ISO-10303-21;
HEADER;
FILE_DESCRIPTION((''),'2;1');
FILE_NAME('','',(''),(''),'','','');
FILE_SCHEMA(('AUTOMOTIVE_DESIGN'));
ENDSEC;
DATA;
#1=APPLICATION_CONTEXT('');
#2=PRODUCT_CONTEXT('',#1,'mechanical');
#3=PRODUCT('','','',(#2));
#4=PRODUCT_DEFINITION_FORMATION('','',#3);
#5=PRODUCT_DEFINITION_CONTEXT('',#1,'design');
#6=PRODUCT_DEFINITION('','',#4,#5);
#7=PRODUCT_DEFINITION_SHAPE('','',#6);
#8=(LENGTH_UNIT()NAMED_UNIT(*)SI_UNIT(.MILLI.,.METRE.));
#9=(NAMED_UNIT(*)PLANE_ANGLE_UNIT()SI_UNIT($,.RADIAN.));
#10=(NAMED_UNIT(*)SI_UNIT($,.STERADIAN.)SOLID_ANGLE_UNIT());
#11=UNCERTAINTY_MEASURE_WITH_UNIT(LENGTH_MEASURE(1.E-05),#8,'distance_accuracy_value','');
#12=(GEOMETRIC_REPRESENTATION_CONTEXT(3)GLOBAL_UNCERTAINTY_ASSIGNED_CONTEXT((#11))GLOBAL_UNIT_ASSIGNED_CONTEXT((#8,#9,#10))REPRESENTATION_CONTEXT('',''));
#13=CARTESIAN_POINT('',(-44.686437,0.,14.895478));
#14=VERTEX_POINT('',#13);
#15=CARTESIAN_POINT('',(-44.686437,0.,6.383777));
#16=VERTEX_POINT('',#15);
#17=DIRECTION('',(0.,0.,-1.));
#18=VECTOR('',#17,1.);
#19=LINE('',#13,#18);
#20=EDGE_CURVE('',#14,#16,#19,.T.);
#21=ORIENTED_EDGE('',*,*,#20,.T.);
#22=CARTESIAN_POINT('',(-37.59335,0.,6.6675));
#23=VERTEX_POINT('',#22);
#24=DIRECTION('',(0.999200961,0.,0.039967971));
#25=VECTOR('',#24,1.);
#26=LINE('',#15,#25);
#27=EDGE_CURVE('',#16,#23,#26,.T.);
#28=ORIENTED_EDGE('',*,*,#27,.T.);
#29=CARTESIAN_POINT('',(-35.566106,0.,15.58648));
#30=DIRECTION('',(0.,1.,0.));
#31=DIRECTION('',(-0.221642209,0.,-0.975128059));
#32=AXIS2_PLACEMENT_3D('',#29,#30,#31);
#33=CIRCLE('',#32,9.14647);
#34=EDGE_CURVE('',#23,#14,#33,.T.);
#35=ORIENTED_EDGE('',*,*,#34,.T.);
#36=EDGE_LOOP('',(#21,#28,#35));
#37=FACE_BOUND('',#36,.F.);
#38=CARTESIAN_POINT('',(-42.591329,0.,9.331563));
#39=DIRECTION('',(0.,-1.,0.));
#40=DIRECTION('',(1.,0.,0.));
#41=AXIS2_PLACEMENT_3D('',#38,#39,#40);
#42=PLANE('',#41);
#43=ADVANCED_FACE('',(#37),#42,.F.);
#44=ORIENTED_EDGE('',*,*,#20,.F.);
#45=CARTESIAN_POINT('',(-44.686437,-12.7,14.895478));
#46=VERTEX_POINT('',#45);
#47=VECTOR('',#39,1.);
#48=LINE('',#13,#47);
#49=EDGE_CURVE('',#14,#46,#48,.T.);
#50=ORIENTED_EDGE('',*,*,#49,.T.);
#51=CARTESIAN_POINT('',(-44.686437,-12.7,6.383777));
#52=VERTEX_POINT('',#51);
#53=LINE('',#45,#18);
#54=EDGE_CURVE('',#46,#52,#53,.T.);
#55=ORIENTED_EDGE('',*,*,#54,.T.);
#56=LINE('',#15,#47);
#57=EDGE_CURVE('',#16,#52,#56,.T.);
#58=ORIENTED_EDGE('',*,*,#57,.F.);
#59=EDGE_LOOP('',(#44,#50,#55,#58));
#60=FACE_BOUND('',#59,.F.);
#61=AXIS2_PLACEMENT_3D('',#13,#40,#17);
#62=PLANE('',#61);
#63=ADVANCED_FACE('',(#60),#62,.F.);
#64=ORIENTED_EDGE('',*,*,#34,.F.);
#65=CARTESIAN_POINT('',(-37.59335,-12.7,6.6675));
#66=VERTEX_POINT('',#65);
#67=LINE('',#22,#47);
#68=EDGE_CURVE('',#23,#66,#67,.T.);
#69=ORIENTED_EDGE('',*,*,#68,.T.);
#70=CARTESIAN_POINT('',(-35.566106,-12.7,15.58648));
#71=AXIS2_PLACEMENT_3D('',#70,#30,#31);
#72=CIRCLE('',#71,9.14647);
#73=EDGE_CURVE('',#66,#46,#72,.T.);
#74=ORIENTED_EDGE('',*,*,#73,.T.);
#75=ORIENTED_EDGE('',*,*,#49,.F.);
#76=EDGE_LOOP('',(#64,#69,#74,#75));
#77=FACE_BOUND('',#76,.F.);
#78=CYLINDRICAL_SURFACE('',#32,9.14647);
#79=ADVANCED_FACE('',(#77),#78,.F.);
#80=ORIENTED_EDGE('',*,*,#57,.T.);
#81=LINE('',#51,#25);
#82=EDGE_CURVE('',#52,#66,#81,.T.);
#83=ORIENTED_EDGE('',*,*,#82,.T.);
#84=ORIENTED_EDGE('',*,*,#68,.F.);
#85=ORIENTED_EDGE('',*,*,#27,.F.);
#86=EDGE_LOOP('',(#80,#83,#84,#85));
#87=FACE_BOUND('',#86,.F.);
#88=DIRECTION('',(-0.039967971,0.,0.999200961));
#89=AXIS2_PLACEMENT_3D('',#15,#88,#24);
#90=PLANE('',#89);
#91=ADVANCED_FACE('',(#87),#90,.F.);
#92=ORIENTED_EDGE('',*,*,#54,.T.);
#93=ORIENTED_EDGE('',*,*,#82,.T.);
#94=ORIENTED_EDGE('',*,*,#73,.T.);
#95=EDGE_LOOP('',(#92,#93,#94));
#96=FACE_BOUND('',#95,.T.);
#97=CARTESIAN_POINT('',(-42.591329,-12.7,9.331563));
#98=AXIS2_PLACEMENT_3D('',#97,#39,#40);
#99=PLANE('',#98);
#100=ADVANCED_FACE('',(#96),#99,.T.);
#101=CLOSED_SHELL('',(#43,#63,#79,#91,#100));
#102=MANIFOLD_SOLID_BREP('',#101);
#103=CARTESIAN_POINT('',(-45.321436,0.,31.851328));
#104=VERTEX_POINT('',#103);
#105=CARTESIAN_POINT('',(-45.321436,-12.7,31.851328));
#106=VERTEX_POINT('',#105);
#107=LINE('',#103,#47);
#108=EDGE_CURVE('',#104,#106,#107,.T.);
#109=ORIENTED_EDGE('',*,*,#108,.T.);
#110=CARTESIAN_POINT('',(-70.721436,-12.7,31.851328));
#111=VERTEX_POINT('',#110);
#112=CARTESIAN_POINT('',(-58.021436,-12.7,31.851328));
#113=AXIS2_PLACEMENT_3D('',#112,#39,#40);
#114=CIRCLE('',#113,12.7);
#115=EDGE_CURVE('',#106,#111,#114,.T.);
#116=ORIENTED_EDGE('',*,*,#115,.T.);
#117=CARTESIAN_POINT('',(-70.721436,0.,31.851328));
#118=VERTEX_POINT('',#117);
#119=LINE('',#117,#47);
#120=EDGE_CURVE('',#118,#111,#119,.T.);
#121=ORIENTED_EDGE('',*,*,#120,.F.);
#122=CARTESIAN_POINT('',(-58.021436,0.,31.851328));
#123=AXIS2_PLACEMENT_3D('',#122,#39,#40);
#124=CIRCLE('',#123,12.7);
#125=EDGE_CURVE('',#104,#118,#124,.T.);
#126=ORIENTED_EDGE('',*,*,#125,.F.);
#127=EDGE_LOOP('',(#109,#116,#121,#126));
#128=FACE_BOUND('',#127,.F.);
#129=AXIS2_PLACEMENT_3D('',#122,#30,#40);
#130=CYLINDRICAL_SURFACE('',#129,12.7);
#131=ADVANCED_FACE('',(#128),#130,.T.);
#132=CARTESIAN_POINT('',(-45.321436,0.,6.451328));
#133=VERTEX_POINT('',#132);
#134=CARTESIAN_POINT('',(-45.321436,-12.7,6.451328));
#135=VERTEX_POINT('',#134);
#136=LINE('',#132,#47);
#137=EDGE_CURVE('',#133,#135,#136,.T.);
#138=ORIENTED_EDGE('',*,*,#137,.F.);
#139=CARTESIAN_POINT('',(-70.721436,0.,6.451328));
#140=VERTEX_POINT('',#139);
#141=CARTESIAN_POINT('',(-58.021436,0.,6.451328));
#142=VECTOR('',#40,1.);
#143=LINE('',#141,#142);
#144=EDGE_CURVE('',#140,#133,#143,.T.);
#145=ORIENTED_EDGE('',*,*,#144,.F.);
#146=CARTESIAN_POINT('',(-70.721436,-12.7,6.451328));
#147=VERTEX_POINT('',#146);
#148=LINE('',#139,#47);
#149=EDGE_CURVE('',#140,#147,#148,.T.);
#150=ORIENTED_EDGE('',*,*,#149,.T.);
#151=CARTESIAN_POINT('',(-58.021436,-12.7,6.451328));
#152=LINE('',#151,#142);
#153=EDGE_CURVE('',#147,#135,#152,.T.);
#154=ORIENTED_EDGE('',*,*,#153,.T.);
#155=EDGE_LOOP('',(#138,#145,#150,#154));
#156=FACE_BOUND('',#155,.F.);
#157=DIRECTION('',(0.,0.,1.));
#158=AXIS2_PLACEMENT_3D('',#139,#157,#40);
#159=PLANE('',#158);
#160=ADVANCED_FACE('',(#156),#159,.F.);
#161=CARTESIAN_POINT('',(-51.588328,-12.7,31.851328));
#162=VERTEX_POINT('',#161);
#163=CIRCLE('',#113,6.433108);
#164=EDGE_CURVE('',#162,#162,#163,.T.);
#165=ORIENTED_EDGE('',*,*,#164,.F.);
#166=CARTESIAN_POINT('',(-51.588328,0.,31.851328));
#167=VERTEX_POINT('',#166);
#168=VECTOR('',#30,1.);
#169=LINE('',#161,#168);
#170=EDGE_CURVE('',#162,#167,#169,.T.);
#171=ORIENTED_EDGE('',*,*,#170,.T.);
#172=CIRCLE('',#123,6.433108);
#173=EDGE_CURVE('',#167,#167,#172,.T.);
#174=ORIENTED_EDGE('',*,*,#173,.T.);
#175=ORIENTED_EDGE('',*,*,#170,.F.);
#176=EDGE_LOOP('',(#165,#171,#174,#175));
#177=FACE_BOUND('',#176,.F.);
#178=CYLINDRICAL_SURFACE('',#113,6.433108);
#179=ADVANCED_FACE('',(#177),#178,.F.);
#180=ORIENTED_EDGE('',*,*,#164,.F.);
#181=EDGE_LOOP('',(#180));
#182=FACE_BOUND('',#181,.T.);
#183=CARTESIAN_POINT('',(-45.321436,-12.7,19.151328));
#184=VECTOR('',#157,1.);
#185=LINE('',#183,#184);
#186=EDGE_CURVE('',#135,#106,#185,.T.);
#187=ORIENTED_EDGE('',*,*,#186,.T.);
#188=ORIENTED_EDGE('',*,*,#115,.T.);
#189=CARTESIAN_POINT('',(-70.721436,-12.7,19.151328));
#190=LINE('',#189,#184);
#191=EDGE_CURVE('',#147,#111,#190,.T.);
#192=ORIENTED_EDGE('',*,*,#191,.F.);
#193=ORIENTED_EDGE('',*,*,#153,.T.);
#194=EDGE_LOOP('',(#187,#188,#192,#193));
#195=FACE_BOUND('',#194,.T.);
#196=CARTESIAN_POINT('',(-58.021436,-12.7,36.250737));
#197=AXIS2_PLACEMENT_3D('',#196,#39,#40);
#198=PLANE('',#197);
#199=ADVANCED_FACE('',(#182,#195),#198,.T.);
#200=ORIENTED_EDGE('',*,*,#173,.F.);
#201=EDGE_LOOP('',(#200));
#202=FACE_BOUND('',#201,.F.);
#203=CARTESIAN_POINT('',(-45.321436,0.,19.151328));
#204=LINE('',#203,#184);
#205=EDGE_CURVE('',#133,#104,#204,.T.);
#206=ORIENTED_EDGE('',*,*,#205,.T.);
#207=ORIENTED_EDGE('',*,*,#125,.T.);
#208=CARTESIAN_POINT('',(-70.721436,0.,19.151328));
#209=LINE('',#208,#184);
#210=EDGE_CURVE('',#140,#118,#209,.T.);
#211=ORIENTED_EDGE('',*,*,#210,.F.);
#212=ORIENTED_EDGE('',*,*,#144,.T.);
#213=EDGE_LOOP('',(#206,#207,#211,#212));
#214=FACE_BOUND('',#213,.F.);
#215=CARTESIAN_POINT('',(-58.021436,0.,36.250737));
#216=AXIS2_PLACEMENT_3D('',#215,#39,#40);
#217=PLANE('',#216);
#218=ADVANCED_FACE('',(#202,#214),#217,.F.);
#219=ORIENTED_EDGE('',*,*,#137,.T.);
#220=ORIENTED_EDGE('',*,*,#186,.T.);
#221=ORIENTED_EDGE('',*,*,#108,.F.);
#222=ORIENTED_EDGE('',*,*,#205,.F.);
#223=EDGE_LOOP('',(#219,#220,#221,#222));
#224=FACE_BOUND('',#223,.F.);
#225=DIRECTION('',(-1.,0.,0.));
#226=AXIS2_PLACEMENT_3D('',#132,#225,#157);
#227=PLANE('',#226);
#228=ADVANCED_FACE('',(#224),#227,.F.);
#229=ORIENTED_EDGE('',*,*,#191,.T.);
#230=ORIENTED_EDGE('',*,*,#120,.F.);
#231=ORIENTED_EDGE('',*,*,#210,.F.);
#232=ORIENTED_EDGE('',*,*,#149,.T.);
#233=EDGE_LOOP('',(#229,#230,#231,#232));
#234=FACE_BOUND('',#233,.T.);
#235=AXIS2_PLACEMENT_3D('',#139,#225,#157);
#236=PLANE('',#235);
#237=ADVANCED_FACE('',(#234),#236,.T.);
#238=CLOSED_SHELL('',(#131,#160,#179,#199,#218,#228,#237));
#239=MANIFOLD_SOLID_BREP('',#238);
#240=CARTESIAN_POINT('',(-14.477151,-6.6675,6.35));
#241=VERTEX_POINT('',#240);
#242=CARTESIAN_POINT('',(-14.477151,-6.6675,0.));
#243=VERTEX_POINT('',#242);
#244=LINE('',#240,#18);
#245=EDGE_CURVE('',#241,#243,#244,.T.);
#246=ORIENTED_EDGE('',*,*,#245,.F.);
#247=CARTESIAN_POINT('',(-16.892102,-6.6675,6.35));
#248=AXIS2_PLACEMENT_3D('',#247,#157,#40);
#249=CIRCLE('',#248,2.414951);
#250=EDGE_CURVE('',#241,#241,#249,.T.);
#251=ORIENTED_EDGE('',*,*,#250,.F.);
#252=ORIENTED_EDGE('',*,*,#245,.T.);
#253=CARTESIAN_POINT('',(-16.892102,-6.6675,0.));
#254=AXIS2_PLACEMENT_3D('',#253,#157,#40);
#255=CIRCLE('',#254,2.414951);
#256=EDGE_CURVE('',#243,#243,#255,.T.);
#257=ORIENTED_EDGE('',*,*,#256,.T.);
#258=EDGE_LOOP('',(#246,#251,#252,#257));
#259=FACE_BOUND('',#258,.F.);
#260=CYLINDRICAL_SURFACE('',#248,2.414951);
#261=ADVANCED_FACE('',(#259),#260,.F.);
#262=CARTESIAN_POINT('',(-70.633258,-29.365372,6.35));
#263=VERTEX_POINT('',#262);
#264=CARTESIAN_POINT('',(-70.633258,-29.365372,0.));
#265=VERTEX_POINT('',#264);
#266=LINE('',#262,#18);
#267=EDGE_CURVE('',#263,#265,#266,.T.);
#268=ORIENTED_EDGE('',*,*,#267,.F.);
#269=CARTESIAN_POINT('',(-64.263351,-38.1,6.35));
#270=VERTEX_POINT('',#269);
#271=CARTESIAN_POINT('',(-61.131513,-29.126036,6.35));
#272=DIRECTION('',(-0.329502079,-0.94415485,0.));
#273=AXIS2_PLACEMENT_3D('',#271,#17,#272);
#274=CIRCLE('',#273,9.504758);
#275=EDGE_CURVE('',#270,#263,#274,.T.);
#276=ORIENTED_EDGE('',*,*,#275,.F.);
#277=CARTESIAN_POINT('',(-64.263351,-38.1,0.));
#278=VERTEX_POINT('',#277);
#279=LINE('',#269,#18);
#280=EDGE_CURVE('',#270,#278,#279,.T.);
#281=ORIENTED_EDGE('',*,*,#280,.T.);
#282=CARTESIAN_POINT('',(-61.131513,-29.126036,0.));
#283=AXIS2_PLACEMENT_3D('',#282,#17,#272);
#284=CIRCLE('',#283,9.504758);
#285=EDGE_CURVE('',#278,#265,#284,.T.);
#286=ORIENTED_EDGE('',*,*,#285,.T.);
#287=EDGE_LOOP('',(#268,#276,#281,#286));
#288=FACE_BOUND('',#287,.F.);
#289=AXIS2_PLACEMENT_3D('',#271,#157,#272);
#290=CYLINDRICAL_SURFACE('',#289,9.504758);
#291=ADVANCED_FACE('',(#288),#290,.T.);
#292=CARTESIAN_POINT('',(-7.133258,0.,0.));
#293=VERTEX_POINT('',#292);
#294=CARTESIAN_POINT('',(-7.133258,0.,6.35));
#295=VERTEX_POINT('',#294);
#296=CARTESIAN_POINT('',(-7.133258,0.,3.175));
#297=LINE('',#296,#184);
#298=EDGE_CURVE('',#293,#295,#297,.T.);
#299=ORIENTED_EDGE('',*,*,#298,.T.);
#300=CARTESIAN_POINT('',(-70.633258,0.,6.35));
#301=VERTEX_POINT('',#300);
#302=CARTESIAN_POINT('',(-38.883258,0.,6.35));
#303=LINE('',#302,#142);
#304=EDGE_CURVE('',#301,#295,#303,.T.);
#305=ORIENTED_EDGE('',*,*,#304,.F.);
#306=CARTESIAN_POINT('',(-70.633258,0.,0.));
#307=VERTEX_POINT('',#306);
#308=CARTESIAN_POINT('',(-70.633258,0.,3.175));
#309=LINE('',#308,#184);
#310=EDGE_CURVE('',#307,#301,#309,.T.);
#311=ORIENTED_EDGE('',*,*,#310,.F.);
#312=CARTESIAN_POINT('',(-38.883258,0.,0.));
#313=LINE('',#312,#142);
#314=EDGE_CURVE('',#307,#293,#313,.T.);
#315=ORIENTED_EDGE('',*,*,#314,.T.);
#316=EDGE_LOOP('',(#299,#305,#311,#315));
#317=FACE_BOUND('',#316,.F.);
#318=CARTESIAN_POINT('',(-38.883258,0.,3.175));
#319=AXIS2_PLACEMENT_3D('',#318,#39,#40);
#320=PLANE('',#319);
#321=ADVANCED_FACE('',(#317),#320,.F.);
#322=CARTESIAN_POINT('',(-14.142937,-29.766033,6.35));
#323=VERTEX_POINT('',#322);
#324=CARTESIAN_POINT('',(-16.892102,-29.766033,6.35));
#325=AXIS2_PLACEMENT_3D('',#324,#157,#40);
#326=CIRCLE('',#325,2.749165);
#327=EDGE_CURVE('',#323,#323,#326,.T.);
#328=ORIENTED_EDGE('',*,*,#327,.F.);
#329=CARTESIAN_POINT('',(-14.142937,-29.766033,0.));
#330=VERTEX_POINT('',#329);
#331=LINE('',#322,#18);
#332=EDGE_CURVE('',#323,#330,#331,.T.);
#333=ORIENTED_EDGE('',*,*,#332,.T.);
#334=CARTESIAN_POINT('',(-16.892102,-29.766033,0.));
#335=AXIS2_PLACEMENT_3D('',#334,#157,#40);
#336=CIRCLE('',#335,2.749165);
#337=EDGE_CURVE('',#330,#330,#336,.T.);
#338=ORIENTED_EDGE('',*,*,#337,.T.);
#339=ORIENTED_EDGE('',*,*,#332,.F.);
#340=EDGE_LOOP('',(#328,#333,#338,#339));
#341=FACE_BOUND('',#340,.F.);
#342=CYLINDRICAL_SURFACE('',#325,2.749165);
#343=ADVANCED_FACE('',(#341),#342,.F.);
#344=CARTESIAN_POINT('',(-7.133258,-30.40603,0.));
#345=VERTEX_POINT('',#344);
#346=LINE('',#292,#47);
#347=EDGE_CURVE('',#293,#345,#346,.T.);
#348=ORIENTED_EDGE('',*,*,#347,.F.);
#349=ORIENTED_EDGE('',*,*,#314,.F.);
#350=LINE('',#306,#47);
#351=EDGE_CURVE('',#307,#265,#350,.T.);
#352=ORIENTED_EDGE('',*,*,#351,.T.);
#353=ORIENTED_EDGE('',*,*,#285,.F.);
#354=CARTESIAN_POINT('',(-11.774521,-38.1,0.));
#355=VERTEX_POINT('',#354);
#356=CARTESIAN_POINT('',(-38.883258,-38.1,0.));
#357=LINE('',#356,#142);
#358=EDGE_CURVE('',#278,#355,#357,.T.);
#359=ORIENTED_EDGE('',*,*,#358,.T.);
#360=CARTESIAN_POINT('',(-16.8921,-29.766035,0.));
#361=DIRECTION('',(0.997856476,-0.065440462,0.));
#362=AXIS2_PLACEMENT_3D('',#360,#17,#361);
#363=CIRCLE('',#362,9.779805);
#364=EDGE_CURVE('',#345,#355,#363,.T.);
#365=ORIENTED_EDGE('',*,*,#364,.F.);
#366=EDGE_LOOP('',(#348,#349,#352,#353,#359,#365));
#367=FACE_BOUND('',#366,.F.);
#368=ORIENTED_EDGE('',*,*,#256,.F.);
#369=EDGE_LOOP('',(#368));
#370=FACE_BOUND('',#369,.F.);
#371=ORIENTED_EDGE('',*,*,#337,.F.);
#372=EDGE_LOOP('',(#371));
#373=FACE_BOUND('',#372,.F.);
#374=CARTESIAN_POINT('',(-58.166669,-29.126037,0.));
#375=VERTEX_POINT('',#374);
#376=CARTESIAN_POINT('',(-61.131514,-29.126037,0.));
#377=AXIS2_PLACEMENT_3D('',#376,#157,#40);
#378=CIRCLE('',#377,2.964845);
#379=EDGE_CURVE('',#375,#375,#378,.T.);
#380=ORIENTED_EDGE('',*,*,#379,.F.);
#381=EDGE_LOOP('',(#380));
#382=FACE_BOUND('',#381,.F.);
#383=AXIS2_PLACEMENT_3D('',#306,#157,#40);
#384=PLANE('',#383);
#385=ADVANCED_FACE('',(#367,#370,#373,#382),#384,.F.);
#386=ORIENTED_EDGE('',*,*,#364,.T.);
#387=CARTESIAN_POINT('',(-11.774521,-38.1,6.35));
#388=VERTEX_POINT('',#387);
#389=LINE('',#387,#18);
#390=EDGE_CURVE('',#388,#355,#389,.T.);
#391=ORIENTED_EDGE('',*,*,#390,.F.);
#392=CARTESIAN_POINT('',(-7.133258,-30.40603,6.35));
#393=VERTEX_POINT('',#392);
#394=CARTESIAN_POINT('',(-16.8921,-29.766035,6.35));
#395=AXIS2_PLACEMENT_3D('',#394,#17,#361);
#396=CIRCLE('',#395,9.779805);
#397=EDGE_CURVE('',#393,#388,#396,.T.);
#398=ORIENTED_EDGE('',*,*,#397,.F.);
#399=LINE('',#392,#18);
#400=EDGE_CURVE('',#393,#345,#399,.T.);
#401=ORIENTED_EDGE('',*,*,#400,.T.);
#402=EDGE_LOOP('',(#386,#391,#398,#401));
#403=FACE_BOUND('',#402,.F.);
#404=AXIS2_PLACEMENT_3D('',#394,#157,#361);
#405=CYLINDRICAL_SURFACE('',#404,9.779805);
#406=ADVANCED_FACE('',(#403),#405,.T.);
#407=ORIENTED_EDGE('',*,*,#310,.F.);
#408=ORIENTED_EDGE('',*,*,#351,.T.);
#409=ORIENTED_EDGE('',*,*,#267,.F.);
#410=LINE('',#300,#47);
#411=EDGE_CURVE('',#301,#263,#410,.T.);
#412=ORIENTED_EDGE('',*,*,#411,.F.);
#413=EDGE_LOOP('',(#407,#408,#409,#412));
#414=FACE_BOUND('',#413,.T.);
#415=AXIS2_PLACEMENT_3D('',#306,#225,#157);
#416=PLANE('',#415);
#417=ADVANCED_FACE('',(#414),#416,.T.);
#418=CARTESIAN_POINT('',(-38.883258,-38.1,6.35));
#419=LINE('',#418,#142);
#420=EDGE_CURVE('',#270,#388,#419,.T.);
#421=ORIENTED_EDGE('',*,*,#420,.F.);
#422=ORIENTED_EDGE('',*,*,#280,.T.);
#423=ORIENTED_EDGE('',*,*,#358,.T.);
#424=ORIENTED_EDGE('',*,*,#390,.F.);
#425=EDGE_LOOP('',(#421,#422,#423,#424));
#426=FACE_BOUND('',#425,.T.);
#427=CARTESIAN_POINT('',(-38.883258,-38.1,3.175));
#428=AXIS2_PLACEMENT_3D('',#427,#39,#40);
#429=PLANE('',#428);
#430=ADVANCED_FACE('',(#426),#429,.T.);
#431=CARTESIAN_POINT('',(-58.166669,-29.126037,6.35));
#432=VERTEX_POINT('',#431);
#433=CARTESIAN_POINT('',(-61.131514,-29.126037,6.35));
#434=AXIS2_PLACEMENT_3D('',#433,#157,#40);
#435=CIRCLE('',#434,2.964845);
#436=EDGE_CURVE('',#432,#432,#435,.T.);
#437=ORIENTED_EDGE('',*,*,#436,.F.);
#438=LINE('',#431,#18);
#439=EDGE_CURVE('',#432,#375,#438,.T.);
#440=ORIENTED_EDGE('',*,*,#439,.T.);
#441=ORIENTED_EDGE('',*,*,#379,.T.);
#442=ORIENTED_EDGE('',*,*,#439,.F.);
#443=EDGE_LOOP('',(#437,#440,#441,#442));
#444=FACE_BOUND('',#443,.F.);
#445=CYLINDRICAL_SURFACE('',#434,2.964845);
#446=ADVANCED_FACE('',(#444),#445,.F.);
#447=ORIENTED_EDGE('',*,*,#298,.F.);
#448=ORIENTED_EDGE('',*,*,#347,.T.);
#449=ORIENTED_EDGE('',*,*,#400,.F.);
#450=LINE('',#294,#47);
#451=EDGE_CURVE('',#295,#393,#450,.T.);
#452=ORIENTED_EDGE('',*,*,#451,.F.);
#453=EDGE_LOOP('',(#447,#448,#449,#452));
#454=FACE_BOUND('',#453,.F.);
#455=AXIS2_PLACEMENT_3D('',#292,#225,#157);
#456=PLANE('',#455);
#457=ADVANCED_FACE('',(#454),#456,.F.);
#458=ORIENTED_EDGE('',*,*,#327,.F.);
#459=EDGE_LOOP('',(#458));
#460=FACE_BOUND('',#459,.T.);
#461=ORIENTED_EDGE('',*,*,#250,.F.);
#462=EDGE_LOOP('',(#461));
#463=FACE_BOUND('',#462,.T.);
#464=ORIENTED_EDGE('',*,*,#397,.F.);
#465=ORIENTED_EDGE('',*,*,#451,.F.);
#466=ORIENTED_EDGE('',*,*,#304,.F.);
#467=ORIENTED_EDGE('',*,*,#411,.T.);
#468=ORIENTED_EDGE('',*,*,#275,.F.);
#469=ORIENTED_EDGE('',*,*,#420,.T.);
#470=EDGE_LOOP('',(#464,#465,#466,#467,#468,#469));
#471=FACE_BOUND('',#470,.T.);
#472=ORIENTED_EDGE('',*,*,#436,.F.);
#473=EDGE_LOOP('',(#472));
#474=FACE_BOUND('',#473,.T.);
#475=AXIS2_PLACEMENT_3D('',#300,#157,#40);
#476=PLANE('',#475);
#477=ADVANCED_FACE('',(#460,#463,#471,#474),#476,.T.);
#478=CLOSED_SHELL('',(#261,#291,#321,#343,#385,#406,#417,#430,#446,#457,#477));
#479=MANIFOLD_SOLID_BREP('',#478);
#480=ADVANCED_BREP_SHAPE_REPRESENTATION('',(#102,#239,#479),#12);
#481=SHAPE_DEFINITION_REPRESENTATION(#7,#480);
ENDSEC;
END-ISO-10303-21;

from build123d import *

# Parameters (mm, degrees)
F0_W      = 63.5
F0_H      = 6.35
F1_DEPTH  = 38.1
F2_W      = 25.4
F2_H      = 25.4
F3_DEPTH  = 12.7
F5_DEPTH  = 12.7
F7_DEPTH  = 6.35
F8_R      = 6.433108
F9_DEPTH  = 12.7
F10_R     = 2.414951
F10_R_2   = 2.749165
F10_R_3   = 2.964845
F11_DEPTH = 6.35


with BuildPart() as f1:
    # F0 (on Front) → F1 (new body)
    with BuildSketch(Plane.XZ):
        with Locations((-38.883258, 3.175)):
            Rectangle(F0_W, F0_H)
    extrude(amount=F1_DEPTH)

    # F6 (on face) → F7 (cut)
    with BuildSketch(Plane.XY.offset(6.35)):
        with BuildLine():
            ThreePointArc((-64.263351, -38.1), (-68.81105, -34.726496), (-70.633258, -29.365372))
            Line((-70.633258, -29.365372), (-70.633258, -38.1))
            Line((-70.633258, -38.1), (-64.263351, -38.1))
        make_face()
        with BuildLine():
            ThreePointArc((-7.133258, -30.40603), (-8.517957, -34.817601), (-11.774521, -38.1))
            Line((-11.774521, -38.1), (-7.133258, -38.1))
            Line((-7.133258, -38.1), (-7.133258, -30.40603))
        make_face()
    extrude(amount=-F7_DEPTH, mode=Mode.SUBTRACT)

    # F10 (on face) → F11 (cut)
    with BuildSketch(Plane.XY.offset(6.35)):
        with Locations((-16.892102, -6.6675)):
            Circle(F10_R)
        with Locations((-16.892102, -29.766033)):
            Circle(F10_R_2)
        with Locations((-61.131514, -29.126037)):
            Circle(F10_R_3)
    extrude(amount=-F11_DEPTH, mode=Mode.SUBTRACT)


with BuildPart() as f3:
    # F2 (on Front) → F3 (new body)
    with BuildSketch(Plane.XZ):
        with BuildLine():
            ThreePointArc((-45.321436, 31.851328), (-58.021436, 44.551328), (-70.721436, 31.851328))
            Line((-70.721436, 31.851328), (-45.321436, 31.851328))
        make_face()
        with Locations((-58.021436, 19.151328)):
            Rectangle(F2_W, F2_H)
    extrude(amount=F3_DEPTH)

    # F8 (on face) → F9 (cut)
    with BuildSketch(Plane.XZ.offset(12.7)):
        with Locations((-58.021436, 31.851328)):
            Circle(F8_R)
    extrude(amount=-F9_DEPTH, mode=Mode.SUBTRACT)


with BuildPart() as f5:
    # F4 (on Front) → F5 (new body)
    with BuildSketch(Plane.XZ):
        with BuildLine():
            ThreePointArc((-37.59335, 6.6675), (-42.493733, 9.614386), (-44.686437, 14.895478))
            Line((-44.686437, 14.895478), (-44.686437, 6.383777))
            Line((-44.686437, 6.383777), (-37.59335, 6.6675))
        make_face()
    extrude(amount=F5_DEPTH)


solid = Compound([f1.part, f3.part, f5.part])
